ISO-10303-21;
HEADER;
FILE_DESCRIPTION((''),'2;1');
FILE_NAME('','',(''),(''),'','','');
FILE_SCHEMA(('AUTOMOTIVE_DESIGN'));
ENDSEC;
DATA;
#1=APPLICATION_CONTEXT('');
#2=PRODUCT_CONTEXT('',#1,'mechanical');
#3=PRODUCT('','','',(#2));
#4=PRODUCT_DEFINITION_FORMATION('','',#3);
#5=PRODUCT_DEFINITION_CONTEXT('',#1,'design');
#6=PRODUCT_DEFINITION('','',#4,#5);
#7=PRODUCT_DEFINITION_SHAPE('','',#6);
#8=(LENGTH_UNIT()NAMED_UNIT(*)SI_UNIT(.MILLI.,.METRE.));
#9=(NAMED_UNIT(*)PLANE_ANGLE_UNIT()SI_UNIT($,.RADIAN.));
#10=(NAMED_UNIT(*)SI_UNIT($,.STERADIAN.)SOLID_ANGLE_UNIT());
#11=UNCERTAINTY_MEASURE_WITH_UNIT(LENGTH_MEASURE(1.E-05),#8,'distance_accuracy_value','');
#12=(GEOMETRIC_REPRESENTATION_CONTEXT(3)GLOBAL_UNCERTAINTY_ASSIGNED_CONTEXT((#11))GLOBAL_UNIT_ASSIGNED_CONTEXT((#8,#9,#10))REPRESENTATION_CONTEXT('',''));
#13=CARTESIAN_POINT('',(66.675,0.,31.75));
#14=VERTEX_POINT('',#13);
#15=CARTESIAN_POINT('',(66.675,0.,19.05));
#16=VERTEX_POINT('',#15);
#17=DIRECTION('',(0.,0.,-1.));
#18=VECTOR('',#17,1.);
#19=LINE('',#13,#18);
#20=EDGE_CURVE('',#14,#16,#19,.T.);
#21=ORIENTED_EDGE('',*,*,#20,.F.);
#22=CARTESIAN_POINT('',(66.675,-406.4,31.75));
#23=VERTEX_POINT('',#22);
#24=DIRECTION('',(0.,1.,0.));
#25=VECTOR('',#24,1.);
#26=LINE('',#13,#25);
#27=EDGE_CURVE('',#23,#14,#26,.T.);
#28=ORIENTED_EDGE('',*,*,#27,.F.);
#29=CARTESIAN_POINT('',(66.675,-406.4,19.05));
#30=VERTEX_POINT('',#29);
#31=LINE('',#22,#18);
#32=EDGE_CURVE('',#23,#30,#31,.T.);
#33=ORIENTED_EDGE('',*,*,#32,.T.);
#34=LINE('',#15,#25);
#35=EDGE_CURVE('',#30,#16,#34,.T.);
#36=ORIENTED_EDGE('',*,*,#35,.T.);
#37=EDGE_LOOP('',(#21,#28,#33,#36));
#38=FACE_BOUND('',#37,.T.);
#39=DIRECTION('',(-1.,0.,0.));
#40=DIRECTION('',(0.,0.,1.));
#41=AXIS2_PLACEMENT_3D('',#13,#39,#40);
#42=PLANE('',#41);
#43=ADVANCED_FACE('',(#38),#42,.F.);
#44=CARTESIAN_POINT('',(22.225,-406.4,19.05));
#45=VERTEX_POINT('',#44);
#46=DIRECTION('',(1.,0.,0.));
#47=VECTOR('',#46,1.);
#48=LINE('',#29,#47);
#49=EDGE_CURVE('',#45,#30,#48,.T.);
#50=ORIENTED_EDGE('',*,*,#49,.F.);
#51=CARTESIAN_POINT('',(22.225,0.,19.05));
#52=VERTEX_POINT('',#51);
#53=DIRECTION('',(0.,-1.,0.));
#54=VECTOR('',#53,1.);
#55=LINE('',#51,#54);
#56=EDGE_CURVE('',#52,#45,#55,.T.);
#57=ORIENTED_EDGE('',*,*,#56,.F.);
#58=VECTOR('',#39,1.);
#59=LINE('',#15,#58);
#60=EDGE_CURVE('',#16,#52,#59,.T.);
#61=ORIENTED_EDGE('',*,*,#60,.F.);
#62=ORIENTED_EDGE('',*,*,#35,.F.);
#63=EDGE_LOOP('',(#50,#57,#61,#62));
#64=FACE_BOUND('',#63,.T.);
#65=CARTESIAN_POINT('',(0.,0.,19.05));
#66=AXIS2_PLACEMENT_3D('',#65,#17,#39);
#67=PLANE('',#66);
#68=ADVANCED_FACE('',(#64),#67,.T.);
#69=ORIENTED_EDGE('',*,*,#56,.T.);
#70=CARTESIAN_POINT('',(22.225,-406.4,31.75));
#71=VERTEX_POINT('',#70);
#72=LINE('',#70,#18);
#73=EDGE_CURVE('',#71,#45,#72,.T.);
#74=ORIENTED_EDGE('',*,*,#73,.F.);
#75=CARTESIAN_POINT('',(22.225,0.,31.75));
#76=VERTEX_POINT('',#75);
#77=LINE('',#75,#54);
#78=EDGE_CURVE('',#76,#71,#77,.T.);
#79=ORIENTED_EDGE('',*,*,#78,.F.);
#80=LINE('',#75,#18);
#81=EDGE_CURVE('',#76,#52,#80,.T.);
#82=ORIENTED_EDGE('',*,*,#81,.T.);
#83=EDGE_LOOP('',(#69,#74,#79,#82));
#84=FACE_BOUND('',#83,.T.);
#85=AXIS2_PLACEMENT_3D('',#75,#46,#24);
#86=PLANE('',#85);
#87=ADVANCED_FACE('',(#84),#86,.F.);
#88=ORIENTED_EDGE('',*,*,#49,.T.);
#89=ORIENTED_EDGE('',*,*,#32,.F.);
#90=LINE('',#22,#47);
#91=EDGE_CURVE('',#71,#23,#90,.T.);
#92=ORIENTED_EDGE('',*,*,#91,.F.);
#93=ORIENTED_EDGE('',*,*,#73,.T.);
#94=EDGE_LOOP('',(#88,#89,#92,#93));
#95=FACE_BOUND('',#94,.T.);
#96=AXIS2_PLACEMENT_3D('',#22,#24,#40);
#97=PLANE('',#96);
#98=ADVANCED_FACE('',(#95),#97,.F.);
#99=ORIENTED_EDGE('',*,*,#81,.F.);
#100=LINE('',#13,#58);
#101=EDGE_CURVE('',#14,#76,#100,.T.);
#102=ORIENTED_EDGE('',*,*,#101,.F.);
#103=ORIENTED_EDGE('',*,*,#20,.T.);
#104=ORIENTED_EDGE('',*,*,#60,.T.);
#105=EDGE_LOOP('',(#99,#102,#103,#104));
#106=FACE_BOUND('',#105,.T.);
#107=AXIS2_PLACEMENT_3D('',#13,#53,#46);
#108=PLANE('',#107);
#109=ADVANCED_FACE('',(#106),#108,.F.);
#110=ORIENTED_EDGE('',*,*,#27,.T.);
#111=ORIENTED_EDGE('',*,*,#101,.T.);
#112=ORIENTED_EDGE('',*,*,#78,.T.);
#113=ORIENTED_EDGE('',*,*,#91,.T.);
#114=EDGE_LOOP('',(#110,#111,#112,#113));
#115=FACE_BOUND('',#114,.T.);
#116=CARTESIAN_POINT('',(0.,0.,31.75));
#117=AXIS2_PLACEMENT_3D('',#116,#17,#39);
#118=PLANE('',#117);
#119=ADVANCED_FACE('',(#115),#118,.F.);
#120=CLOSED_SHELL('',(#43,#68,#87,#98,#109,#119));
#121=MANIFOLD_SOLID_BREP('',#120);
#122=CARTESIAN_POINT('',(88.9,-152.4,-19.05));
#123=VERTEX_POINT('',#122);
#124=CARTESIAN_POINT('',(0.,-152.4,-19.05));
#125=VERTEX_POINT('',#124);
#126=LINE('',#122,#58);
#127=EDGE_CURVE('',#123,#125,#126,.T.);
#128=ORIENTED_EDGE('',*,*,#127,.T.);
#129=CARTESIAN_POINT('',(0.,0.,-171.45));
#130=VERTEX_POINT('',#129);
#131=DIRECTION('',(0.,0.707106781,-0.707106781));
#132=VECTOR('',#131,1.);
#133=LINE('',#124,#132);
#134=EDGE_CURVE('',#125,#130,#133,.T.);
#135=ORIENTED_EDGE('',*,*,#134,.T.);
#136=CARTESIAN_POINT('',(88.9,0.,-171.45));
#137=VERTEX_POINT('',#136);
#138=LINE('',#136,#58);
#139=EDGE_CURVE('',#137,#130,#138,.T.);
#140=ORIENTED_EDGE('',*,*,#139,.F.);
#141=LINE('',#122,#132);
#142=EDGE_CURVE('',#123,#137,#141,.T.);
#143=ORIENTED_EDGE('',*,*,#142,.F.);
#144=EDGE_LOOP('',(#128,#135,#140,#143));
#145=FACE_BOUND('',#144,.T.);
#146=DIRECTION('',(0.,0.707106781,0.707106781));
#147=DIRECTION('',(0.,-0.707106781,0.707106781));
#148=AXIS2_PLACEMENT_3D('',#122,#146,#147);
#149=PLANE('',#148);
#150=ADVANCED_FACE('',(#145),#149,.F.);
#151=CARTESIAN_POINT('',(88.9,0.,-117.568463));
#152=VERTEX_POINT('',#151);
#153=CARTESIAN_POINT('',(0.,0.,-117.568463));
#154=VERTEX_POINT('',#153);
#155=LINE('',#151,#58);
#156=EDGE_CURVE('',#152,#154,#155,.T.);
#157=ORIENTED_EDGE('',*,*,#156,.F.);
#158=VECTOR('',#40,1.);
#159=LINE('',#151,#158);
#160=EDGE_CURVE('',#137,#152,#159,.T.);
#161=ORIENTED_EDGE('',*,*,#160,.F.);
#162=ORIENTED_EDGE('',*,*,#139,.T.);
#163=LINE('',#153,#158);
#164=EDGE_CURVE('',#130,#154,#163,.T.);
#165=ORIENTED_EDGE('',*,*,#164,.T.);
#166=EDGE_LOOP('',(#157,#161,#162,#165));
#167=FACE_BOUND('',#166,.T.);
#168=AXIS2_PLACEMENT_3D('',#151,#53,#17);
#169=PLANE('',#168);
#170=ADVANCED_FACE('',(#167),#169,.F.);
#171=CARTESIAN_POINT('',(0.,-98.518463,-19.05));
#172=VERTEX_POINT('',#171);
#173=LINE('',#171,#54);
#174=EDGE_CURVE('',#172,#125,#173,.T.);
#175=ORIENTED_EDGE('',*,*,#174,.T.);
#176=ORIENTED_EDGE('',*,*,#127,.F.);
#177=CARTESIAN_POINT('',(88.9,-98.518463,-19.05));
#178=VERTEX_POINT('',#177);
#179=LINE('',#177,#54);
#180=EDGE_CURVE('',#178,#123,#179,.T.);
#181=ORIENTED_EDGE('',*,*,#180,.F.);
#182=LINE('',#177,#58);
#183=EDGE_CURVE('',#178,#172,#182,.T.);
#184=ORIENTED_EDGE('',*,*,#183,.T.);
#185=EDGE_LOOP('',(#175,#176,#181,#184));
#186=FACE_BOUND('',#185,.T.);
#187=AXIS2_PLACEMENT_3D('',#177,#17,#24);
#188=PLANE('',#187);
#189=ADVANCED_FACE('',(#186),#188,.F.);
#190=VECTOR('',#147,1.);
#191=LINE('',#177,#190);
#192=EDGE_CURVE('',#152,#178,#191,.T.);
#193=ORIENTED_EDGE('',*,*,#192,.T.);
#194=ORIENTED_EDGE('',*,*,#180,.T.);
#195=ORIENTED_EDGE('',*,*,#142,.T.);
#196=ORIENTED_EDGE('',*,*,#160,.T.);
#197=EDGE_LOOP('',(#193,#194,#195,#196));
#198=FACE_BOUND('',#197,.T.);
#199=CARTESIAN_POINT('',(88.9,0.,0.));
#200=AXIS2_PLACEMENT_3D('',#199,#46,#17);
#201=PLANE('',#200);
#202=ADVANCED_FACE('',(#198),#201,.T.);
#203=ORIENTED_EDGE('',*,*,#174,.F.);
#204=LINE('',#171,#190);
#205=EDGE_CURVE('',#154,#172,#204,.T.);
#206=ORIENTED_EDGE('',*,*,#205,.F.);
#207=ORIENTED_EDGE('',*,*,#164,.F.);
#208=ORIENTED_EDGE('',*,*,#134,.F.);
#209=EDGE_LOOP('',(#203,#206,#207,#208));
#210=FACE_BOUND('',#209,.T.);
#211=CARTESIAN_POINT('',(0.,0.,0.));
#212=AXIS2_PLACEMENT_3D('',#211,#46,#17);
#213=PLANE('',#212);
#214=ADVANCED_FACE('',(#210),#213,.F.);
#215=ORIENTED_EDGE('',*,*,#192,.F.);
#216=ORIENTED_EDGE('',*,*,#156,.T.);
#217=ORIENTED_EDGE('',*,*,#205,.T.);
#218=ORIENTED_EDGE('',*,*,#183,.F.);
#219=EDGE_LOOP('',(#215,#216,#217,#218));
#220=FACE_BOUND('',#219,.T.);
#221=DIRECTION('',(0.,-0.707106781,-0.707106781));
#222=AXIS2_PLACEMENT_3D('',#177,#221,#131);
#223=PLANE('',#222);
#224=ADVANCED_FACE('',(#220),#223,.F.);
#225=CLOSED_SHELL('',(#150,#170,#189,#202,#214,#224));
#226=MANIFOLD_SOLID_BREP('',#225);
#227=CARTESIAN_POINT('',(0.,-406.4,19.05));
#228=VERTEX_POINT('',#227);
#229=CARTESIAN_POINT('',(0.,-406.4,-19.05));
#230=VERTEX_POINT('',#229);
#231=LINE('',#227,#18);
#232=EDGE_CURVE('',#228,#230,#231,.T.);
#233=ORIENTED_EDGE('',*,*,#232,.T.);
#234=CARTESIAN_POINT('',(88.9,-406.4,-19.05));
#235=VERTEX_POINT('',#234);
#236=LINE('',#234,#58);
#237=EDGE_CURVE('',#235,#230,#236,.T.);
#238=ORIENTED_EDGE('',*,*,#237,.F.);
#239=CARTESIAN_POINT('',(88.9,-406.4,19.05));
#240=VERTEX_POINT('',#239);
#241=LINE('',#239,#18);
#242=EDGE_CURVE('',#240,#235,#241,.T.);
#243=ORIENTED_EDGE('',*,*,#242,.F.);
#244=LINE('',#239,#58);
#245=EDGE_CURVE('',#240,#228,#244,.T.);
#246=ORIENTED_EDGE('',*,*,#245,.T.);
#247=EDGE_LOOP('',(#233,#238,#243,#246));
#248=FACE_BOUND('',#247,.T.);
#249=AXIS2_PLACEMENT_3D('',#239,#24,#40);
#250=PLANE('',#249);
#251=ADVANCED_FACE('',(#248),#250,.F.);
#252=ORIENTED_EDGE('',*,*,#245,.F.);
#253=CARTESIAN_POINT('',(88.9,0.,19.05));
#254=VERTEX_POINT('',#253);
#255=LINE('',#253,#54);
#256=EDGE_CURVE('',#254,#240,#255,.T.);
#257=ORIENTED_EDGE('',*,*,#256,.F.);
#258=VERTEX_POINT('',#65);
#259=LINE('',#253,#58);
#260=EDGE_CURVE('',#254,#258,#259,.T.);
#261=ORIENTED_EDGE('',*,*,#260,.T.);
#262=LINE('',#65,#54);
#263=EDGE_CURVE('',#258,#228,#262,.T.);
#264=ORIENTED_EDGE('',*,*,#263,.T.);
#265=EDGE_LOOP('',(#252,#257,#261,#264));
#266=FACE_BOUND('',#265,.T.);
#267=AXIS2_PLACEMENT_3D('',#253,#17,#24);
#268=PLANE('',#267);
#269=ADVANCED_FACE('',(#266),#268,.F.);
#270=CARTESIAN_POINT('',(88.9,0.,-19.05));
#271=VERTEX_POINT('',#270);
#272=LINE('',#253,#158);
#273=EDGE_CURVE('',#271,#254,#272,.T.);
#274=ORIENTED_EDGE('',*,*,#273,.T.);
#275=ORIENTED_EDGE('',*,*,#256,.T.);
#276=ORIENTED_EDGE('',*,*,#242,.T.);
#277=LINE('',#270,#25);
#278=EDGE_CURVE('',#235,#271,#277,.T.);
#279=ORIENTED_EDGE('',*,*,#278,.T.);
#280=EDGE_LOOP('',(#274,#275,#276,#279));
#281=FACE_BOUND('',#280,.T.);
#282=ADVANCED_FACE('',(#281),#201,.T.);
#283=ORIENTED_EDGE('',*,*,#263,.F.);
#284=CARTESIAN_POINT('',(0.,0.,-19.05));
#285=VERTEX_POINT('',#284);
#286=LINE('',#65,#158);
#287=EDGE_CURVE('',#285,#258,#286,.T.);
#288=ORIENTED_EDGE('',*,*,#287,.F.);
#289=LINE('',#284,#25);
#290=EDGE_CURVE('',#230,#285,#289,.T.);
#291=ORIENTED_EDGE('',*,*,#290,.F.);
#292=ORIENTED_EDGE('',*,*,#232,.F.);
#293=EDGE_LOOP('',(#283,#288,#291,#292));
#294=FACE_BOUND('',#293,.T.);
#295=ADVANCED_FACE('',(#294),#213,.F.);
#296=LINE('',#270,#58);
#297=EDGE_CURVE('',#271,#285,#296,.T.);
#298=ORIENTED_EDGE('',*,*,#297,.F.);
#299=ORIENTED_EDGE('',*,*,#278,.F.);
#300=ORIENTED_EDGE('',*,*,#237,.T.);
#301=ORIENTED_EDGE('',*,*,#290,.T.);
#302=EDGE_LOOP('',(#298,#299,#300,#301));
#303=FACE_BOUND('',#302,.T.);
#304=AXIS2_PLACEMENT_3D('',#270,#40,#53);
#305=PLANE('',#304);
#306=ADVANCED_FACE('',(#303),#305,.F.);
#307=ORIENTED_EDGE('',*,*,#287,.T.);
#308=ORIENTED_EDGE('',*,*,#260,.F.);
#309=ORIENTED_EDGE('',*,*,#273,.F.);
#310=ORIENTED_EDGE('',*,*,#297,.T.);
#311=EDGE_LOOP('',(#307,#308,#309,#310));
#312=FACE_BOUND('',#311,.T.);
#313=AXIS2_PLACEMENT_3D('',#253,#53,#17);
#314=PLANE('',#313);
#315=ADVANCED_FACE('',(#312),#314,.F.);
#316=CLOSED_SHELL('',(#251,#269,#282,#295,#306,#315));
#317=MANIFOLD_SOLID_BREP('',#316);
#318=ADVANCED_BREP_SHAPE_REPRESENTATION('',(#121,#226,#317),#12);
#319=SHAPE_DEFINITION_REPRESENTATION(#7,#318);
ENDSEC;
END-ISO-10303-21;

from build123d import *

# Parameters (mm, degrees)
SKETCH2_W              = 38.1
SKETCH2_H              = 406.4
SLIDER_BOARD_DEPTH     = 88.9
DIAGONAL_SUPPORT_DEPTH = 88.9
SKETCH4_W              = 44.45
SKETCH4_H              = 406.4
SLIDER_DEPTH           = 12.7


with BuildPart() as part:
    # Sketch2 → Slider_Board (new body)
    with BuildSketch(Plane(origin=(0, 0, 0), x_dir=(0, 0, -1), z_dir=(1, 0, 0))):
        with Locations((0, -203.2)):
            Rectangle(SKETCH2_W, SKETCH2_H)
    extrude(amount=SLIDER_BOARD_DEPTH)


with BuildPart() as body_2:
    # Sketch3 → Diagonal_Support (new body)
    with BuildSketch(Plane(origin=(0, 0, 0), x_dir=(0, 0, -1), z_dir=(1, 0, 0))):
        Polygon((19.05, -152.4), (171.45, 0), (117.568463274, 0), (19.05, -98.518463274), align=None)
    extrude(amount=DIAGONAL_SUPPORT_DEPTH)


with BuildPart() as body_3:
    # Sketch4 → Slider (new body)
    with BuildSketch(Plane.XY.offset(19.05)):
        with Locations((44.45, -203.2)):
            Rectangle(SKETCH4_W, SKETCH4_H)
    extrude(amount=SLIDER_DEPTH)


solid = Compound([part.part, body_2.part, body_3.part])
